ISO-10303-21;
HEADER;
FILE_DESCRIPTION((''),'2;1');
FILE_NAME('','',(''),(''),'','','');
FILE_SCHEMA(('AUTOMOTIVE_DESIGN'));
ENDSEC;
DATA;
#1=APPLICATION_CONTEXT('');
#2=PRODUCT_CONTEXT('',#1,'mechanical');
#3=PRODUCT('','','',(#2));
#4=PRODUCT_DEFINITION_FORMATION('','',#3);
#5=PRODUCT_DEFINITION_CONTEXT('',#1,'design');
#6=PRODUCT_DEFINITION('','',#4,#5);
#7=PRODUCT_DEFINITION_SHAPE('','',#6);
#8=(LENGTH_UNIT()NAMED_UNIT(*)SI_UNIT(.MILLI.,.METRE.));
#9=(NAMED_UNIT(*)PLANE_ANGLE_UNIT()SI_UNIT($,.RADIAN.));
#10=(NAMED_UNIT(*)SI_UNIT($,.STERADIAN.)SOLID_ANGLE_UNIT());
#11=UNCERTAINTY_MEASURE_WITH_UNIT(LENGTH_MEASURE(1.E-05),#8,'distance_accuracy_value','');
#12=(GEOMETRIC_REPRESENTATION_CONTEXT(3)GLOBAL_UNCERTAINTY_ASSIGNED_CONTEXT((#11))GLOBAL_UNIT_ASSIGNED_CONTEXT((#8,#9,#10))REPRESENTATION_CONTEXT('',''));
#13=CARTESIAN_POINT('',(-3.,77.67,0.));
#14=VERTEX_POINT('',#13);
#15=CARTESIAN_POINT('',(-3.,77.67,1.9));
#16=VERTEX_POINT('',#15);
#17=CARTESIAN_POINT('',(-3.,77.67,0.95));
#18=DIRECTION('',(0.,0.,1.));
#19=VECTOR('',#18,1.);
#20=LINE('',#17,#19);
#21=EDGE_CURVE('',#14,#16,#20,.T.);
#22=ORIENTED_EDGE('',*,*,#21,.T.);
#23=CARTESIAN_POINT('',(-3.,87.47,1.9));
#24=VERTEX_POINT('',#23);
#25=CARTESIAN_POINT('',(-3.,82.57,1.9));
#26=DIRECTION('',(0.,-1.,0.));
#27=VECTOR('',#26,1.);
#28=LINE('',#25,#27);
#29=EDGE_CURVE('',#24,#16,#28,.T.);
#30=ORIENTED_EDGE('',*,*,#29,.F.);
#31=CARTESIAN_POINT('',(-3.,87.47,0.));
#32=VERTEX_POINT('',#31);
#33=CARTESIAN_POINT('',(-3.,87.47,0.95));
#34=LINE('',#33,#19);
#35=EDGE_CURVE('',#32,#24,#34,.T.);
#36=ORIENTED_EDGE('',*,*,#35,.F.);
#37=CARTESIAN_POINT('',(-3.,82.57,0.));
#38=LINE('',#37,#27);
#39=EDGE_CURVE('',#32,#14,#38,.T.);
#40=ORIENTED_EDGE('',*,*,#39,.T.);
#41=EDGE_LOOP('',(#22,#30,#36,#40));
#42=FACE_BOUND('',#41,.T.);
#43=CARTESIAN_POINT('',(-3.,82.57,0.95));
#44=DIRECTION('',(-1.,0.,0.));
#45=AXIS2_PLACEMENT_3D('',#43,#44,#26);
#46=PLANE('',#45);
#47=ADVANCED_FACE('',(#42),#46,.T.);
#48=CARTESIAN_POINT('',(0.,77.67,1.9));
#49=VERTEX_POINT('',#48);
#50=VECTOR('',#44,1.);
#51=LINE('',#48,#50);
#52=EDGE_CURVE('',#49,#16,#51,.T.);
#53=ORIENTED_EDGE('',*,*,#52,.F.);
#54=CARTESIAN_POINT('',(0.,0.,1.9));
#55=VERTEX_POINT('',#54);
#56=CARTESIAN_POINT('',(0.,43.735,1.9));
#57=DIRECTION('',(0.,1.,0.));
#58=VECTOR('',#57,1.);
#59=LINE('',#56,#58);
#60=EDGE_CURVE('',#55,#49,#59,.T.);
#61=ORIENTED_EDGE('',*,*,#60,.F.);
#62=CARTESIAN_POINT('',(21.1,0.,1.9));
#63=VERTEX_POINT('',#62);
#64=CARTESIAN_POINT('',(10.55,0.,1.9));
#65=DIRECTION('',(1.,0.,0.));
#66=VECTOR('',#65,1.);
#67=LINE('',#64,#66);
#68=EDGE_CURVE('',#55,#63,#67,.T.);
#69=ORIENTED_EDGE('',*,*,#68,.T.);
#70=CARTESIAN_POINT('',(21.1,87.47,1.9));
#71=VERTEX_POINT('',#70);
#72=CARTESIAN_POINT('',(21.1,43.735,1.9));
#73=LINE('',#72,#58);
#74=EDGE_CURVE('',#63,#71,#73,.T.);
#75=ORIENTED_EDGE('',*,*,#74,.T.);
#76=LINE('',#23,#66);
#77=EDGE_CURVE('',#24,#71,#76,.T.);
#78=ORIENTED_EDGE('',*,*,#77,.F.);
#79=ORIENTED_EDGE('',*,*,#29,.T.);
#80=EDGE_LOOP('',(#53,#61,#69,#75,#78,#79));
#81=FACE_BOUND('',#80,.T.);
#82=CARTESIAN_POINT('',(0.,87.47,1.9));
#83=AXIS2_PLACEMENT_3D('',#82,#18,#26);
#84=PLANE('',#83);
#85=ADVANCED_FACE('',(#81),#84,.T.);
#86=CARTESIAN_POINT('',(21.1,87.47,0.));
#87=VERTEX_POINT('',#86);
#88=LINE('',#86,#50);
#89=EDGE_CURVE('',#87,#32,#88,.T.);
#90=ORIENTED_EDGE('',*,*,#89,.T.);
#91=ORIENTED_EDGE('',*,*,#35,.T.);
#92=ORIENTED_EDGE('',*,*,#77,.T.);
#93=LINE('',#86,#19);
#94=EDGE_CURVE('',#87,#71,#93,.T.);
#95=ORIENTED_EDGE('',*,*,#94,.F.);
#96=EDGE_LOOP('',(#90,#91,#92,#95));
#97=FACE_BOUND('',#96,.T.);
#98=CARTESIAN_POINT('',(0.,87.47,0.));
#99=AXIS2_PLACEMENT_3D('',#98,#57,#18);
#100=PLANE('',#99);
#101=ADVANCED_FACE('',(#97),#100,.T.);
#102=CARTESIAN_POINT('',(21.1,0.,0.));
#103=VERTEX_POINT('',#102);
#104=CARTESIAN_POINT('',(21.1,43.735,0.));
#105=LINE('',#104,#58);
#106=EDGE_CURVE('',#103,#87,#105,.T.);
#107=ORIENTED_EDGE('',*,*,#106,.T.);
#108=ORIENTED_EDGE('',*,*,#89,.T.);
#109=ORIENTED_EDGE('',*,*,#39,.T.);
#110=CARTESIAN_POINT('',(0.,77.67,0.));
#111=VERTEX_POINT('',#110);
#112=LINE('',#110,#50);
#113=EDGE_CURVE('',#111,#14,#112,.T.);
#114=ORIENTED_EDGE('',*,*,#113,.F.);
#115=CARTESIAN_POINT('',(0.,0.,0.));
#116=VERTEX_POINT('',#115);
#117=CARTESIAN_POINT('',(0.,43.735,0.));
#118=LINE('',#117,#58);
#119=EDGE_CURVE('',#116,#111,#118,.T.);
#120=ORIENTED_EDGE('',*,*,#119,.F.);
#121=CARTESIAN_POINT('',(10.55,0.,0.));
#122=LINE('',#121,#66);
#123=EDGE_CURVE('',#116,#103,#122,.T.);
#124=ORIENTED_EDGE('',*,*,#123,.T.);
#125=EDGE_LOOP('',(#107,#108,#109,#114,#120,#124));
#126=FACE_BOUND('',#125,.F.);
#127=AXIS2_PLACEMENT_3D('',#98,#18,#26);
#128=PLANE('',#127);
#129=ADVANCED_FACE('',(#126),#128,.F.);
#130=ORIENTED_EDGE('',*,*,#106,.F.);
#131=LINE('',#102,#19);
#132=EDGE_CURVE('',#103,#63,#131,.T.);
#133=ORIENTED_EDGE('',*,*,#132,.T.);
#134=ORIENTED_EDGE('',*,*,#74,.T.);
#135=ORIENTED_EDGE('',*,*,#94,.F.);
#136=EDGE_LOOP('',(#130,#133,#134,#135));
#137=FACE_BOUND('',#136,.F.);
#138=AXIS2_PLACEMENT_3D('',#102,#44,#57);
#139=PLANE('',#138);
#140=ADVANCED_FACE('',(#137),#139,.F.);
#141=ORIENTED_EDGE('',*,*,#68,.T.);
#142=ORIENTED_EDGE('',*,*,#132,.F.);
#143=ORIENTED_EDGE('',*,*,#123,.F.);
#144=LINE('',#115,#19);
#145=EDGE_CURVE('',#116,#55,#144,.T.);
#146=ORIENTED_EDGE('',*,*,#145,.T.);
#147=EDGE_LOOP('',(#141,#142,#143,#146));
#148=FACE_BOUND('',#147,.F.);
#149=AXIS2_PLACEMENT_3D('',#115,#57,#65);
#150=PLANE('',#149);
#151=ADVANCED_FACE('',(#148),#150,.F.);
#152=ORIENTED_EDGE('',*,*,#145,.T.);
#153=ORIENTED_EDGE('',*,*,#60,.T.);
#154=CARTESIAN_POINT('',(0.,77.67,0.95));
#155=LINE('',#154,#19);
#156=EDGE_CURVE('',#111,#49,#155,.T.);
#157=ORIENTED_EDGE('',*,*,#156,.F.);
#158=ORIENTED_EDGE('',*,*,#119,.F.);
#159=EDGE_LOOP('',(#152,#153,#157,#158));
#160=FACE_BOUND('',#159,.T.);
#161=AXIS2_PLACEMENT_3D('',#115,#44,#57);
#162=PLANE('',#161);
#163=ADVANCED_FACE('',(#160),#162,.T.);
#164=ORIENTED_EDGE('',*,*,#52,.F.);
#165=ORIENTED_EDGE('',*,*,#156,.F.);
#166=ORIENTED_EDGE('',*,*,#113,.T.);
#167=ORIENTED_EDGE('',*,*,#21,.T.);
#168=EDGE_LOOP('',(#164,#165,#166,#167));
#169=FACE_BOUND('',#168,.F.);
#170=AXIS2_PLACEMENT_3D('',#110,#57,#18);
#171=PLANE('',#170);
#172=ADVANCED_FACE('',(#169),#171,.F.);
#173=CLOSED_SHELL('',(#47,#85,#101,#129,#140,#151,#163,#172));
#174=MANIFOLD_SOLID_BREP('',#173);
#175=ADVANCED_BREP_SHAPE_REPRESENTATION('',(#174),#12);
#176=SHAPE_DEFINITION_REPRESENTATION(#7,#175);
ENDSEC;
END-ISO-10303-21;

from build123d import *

# Parameters (mm, degrees)
F0_W     = 21.1
F0_H     = 87.47
F1_DEPTH = 1.9
F2_W     = 17.6
F2_H     = 83.77
F2_W_2   = 13.6
F2_H_2   = 79.77
F3_DEPTH = 0.8
F4_W     = 9.8
F4_H     = 1.9
F5_DEPTH = 3


with BuildPart() as f1:
    # F0 (on Top) → F1 (new body)
    with BuildSketch(Plane.XY):
        with Locations((10.55, 43.735)):
            Rectangle(F0_W, F0_H)
    extrude(amount=F1_DEPTH)

    # F4 (on face) → F5 (join)
    with BuildSketch(Plane(origin=(0, 0, 0), x_dir=(0, -1, 0), z_dir=(-1, 0, 0))):
        with Locations((-82.57, 0.95)):
            Rectangle(F4_W, F4_H)
    extrude(amount=F5_DEPTH)


with BuildPart() as f3:
    # F2 (on Top) → F3 (new body)
    with BuildSketch(Plane.XY):
        with Locations((36.552641, 44.763047)):
            Rectangle(F2_W, F2_H)
        with Locations((36.552641, 44.763047)):
            Rectangle(F2_W_2, F2_H_2, mode=Mode.SUBTRACT)
    extrude(amount=F3_DEPTH)


solid = f1.part
